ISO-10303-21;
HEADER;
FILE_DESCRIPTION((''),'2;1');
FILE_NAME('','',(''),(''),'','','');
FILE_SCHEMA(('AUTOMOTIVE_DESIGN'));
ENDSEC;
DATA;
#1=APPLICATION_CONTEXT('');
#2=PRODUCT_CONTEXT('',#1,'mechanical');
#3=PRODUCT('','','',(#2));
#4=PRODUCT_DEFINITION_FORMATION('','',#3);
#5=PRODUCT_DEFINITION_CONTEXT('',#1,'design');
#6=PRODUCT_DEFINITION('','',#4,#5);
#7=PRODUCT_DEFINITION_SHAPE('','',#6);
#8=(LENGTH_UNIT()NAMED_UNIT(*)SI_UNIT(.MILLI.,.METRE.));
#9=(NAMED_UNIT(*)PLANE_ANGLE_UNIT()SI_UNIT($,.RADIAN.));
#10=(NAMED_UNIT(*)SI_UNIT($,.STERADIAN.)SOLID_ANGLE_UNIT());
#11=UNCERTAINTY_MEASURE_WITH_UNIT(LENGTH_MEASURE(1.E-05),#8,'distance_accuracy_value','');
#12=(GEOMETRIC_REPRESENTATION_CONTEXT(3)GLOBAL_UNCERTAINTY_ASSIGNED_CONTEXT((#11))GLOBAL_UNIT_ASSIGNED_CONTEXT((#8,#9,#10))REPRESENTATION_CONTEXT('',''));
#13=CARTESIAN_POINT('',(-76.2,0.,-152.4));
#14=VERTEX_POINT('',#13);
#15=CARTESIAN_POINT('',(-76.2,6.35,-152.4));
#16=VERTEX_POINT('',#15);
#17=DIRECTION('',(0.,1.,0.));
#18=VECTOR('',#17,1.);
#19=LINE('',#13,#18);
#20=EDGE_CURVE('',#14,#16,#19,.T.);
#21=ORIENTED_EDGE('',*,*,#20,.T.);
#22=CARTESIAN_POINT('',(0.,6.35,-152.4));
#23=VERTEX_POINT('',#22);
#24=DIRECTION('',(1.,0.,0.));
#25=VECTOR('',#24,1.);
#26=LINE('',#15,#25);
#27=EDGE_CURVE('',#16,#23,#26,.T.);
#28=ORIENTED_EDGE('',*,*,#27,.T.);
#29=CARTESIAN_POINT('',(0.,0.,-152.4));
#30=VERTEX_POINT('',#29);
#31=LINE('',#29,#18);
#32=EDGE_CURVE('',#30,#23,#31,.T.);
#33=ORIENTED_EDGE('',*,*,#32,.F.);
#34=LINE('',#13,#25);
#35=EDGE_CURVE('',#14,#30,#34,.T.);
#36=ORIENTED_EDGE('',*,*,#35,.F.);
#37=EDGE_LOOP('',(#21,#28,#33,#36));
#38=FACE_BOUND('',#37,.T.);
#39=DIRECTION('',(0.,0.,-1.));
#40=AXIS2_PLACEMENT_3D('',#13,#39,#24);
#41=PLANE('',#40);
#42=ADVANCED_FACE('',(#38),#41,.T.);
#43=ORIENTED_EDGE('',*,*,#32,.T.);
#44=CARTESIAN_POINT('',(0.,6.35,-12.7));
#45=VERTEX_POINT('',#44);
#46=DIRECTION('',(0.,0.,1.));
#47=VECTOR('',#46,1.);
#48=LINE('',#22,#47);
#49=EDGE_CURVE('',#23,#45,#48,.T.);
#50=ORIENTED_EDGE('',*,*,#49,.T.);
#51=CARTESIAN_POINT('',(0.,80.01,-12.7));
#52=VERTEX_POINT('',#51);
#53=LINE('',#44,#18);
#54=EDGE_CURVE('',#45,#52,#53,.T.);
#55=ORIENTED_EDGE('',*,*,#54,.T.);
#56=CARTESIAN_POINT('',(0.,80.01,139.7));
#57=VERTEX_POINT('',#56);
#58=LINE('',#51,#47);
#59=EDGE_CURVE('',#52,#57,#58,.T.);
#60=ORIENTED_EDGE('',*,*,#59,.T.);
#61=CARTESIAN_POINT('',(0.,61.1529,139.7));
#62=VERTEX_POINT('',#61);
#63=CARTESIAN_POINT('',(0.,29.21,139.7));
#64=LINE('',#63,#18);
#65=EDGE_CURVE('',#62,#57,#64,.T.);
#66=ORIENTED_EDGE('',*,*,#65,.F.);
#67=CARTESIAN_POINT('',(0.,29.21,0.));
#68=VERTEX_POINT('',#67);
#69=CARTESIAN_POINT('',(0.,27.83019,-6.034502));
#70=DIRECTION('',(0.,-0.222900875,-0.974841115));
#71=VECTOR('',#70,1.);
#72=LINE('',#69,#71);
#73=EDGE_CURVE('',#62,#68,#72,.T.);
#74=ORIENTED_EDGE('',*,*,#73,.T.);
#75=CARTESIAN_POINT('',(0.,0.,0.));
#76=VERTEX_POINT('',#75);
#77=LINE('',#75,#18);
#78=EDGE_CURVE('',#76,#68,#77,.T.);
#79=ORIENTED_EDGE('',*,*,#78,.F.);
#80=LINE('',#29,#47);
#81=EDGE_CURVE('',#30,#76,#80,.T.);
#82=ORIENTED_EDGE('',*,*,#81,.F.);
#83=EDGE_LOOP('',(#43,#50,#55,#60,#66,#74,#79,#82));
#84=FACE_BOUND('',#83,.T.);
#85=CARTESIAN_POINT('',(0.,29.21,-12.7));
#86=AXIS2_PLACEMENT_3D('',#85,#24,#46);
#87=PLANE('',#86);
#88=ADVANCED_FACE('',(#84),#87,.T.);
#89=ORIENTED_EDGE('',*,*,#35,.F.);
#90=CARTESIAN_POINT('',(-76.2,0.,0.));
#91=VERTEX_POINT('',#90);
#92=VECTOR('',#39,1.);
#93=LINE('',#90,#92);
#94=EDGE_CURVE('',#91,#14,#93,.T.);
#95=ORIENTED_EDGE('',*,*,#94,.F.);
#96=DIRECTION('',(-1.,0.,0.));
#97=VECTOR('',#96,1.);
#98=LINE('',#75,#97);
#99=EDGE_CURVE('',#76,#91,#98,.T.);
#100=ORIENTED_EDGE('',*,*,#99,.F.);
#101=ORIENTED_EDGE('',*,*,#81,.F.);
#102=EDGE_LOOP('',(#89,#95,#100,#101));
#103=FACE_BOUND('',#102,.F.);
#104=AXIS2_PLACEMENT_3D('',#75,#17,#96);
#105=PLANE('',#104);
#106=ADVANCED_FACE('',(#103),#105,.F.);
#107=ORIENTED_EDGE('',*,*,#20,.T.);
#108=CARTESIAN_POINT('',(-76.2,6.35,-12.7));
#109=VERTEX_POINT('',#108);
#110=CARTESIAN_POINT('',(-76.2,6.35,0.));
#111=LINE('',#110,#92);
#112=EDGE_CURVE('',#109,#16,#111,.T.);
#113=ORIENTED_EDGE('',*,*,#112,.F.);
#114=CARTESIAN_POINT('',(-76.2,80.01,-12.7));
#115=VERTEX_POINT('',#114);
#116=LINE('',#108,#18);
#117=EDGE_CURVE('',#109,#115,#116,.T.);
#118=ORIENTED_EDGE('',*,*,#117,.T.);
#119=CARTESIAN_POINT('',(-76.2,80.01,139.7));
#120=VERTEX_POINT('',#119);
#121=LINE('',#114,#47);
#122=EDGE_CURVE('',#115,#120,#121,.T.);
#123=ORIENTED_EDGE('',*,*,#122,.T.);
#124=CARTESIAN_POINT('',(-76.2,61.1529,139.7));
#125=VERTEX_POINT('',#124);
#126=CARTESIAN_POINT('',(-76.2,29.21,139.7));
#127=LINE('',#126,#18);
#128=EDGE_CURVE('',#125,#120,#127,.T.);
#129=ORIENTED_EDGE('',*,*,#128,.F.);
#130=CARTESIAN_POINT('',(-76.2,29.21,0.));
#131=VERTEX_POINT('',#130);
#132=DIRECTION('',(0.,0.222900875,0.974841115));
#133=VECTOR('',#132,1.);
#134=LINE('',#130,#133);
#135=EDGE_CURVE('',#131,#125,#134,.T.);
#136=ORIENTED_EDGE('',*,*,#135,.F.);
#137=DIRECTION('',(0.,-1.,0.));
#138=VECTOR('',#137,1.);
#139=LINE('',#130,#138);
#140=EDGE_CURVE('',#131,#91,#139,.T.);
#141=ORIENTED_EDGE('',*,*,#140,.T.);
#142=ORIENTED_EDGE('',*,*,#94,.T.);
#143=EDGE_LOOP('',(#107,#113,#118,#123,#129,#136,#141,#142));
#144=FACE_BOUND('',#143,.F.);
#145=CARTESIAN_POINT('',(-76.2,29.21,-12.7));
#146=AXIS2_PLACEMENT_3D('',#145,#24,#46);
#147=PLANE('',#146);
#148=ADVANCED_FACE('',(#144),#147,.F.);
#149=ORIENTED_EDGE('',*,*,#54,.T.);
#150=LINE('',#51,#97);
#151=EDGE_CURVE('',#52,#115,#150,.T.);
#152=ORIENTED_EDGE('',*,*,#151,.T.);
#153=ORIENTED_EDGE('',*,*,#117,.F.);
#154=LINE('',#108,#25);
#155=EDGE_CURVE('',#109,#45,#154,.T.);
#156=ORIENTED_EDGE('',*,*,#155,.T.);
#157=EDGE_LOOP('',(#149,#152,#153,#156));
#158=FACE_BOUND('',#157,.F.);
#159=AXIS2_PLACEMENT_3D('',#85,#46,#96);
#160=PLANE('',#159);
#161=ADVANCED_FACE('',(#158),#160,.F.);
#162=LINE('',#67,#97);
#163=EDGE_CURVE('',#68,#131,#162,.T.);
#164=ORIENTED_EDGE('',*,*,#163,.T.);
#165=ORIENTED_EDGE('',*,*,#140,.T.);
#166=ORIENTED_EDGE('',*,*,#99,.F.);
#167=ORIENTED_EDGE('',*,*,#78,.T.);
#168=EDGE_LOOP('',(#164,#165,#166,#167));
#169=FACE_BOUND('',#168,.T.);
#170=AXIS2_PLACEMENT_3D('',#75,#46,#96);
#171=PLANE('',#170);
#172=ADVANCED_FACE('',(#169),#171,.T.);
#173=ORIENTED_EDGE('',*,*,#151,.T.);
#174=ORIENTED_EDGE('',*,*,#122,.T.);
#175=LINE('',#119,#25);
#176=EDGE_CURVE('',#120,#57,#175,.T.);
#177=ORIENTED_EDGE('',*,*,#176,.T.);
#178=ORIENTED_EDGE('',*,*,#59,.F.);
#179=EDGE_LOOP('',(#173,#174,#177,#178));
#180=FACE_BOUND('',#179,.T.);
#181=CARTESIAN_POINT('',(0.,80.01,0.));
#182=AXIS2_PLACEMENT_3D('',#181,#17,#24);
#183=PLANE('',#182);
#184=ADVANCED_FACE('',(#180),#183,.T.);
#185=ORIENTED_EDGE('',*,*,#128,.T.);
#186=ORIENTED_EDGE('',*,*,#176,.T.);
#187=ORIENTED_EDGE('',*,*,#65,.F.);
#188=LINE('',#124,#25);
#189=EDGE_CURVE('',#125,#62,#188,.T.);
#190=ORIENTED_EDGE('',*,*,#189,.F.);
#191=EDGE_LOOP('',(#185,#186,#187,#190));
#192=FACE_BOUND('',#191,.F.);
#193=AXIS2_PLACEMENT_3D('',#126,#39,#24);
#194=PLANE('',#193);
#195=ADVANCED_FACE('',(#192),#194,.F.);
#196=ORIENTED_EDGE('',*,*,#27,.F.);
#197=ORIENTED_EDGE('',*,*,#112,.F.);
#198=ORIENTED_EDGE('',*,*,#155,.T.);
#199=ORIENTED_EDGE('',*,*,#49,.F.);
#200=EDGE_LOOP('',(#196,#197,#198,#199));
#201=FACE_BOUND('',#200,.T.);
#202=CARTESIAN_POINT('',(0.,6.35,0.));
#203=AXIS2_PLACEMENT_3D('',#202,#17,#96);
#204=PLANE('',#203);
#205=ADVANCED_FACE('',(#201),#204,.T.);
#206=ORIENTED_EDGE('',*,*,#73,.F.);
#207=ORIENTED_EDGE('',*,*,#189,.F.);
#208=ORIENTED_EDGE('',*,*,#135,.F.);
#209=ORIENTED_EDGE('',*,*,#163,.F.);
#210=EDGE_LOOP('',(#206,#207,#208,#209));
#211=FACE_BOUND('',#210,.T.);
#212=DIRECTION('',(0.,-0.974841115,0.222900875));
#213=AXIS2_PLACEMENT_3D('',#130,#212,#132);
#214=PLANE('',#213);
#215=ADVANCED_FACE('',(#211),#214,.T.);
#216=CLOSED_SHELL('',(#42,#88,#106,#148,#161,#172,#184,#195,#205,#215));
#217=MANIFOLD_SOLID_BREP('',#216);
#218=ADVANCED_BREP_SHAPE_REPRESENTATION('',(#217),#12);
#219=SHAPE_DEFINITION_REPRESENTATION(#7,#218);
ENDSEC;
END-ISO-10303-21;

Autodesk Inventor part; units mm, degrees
ref_plane "YZ Plane" through (0, 0, 0) normal (1, 0, 0) x (0, 1, 0)
ref_plane "XZ Plane" through (0, 0, 0) normal (0, 1, 0) x (-1, 0, 0)
ref_plane "XY Plane" through (0, 0, 0) normal (0, 0, 1) x (1, 0, 0)
sketch "Sketch1" plane through (0, 0, 0) normal (0, 1, 0) x (-1, 0, 0)
  line L0 (0, 0) -> (76.2, 0)
  line L1 (76.2, 0) -> (76.2, -152.4)
  line L2 (76.2, -152.4) -> (0, -152.4)
  line L3 (0, -152.4) -> (0, 0)
  dimension "d0" = 76.2
  dimension "d1" = 152.4
extrude "Extrusion1" add sketch "Sketch1" along normal blind 6.35
sketch "Sketch2" plane through (0, 6.35, 0) normal (0, 1, 0) x (1, 0, 0)
  line L0 (-76.2, 152.4) -> (-76.2, 0) projected
  line L1 (0, 0) -> (-76.2, 0)
  line L2 (-76.2, 0) -> (-76.2, 12.7)
  line L3 (-76.2, 12.7) -> (0, 12.7)
  line L4 (0, 12.7) -> (0, 0)
  dimension "d4" = 12.7
extrude "Extrusion2" add sketch "Sketch2" along normal blind 22.86
sketch "Sketch3" plane through (0, 29.21, 0) normal (0, 1, 0) x (1, 0, 0)
  line L0 (0, 152.4) -> (0, 0) projected
  line L1 (0, 12.7) -> (-76.2, 12.7)
  line L2 (-76.2, 12.7) -> (-76.2, -139.7)
  line L3 (-76.2, -139.7) -> (0, -139.7)
  line L4 (0, -139.7) -> (0, 12.7)
  line L5 (0, 12.7) -> (-76.2, 12.7) projected
  dimension "d7" = 76.2
  dimension "d8" = 152.4
extrude "Extrusion3" add sketch "Sketch3" along normal blind 50.8
sketch "Sketch4" plane through (-76.2, 0, -152.4) normal (-1, 0, 0) x (0, 0, 1)
  line L0 (292.1, 29.21) -> (152.4, 29.21) projected
  line L1 (152.4, 29.21) -> (292.1, 61.1529)
  line L2 (152.4, 0) -> (152.4, 29.21) projected
  line L3 (152.4, 29.21) -> (292.1, 29.21)
  line L4 (292.1, 29.21) -> (292.1, 80.01) projected
extrude "Extrusion4" cut sketch "Sketch4" against normal through all
properties part number "Pillow Holder"
